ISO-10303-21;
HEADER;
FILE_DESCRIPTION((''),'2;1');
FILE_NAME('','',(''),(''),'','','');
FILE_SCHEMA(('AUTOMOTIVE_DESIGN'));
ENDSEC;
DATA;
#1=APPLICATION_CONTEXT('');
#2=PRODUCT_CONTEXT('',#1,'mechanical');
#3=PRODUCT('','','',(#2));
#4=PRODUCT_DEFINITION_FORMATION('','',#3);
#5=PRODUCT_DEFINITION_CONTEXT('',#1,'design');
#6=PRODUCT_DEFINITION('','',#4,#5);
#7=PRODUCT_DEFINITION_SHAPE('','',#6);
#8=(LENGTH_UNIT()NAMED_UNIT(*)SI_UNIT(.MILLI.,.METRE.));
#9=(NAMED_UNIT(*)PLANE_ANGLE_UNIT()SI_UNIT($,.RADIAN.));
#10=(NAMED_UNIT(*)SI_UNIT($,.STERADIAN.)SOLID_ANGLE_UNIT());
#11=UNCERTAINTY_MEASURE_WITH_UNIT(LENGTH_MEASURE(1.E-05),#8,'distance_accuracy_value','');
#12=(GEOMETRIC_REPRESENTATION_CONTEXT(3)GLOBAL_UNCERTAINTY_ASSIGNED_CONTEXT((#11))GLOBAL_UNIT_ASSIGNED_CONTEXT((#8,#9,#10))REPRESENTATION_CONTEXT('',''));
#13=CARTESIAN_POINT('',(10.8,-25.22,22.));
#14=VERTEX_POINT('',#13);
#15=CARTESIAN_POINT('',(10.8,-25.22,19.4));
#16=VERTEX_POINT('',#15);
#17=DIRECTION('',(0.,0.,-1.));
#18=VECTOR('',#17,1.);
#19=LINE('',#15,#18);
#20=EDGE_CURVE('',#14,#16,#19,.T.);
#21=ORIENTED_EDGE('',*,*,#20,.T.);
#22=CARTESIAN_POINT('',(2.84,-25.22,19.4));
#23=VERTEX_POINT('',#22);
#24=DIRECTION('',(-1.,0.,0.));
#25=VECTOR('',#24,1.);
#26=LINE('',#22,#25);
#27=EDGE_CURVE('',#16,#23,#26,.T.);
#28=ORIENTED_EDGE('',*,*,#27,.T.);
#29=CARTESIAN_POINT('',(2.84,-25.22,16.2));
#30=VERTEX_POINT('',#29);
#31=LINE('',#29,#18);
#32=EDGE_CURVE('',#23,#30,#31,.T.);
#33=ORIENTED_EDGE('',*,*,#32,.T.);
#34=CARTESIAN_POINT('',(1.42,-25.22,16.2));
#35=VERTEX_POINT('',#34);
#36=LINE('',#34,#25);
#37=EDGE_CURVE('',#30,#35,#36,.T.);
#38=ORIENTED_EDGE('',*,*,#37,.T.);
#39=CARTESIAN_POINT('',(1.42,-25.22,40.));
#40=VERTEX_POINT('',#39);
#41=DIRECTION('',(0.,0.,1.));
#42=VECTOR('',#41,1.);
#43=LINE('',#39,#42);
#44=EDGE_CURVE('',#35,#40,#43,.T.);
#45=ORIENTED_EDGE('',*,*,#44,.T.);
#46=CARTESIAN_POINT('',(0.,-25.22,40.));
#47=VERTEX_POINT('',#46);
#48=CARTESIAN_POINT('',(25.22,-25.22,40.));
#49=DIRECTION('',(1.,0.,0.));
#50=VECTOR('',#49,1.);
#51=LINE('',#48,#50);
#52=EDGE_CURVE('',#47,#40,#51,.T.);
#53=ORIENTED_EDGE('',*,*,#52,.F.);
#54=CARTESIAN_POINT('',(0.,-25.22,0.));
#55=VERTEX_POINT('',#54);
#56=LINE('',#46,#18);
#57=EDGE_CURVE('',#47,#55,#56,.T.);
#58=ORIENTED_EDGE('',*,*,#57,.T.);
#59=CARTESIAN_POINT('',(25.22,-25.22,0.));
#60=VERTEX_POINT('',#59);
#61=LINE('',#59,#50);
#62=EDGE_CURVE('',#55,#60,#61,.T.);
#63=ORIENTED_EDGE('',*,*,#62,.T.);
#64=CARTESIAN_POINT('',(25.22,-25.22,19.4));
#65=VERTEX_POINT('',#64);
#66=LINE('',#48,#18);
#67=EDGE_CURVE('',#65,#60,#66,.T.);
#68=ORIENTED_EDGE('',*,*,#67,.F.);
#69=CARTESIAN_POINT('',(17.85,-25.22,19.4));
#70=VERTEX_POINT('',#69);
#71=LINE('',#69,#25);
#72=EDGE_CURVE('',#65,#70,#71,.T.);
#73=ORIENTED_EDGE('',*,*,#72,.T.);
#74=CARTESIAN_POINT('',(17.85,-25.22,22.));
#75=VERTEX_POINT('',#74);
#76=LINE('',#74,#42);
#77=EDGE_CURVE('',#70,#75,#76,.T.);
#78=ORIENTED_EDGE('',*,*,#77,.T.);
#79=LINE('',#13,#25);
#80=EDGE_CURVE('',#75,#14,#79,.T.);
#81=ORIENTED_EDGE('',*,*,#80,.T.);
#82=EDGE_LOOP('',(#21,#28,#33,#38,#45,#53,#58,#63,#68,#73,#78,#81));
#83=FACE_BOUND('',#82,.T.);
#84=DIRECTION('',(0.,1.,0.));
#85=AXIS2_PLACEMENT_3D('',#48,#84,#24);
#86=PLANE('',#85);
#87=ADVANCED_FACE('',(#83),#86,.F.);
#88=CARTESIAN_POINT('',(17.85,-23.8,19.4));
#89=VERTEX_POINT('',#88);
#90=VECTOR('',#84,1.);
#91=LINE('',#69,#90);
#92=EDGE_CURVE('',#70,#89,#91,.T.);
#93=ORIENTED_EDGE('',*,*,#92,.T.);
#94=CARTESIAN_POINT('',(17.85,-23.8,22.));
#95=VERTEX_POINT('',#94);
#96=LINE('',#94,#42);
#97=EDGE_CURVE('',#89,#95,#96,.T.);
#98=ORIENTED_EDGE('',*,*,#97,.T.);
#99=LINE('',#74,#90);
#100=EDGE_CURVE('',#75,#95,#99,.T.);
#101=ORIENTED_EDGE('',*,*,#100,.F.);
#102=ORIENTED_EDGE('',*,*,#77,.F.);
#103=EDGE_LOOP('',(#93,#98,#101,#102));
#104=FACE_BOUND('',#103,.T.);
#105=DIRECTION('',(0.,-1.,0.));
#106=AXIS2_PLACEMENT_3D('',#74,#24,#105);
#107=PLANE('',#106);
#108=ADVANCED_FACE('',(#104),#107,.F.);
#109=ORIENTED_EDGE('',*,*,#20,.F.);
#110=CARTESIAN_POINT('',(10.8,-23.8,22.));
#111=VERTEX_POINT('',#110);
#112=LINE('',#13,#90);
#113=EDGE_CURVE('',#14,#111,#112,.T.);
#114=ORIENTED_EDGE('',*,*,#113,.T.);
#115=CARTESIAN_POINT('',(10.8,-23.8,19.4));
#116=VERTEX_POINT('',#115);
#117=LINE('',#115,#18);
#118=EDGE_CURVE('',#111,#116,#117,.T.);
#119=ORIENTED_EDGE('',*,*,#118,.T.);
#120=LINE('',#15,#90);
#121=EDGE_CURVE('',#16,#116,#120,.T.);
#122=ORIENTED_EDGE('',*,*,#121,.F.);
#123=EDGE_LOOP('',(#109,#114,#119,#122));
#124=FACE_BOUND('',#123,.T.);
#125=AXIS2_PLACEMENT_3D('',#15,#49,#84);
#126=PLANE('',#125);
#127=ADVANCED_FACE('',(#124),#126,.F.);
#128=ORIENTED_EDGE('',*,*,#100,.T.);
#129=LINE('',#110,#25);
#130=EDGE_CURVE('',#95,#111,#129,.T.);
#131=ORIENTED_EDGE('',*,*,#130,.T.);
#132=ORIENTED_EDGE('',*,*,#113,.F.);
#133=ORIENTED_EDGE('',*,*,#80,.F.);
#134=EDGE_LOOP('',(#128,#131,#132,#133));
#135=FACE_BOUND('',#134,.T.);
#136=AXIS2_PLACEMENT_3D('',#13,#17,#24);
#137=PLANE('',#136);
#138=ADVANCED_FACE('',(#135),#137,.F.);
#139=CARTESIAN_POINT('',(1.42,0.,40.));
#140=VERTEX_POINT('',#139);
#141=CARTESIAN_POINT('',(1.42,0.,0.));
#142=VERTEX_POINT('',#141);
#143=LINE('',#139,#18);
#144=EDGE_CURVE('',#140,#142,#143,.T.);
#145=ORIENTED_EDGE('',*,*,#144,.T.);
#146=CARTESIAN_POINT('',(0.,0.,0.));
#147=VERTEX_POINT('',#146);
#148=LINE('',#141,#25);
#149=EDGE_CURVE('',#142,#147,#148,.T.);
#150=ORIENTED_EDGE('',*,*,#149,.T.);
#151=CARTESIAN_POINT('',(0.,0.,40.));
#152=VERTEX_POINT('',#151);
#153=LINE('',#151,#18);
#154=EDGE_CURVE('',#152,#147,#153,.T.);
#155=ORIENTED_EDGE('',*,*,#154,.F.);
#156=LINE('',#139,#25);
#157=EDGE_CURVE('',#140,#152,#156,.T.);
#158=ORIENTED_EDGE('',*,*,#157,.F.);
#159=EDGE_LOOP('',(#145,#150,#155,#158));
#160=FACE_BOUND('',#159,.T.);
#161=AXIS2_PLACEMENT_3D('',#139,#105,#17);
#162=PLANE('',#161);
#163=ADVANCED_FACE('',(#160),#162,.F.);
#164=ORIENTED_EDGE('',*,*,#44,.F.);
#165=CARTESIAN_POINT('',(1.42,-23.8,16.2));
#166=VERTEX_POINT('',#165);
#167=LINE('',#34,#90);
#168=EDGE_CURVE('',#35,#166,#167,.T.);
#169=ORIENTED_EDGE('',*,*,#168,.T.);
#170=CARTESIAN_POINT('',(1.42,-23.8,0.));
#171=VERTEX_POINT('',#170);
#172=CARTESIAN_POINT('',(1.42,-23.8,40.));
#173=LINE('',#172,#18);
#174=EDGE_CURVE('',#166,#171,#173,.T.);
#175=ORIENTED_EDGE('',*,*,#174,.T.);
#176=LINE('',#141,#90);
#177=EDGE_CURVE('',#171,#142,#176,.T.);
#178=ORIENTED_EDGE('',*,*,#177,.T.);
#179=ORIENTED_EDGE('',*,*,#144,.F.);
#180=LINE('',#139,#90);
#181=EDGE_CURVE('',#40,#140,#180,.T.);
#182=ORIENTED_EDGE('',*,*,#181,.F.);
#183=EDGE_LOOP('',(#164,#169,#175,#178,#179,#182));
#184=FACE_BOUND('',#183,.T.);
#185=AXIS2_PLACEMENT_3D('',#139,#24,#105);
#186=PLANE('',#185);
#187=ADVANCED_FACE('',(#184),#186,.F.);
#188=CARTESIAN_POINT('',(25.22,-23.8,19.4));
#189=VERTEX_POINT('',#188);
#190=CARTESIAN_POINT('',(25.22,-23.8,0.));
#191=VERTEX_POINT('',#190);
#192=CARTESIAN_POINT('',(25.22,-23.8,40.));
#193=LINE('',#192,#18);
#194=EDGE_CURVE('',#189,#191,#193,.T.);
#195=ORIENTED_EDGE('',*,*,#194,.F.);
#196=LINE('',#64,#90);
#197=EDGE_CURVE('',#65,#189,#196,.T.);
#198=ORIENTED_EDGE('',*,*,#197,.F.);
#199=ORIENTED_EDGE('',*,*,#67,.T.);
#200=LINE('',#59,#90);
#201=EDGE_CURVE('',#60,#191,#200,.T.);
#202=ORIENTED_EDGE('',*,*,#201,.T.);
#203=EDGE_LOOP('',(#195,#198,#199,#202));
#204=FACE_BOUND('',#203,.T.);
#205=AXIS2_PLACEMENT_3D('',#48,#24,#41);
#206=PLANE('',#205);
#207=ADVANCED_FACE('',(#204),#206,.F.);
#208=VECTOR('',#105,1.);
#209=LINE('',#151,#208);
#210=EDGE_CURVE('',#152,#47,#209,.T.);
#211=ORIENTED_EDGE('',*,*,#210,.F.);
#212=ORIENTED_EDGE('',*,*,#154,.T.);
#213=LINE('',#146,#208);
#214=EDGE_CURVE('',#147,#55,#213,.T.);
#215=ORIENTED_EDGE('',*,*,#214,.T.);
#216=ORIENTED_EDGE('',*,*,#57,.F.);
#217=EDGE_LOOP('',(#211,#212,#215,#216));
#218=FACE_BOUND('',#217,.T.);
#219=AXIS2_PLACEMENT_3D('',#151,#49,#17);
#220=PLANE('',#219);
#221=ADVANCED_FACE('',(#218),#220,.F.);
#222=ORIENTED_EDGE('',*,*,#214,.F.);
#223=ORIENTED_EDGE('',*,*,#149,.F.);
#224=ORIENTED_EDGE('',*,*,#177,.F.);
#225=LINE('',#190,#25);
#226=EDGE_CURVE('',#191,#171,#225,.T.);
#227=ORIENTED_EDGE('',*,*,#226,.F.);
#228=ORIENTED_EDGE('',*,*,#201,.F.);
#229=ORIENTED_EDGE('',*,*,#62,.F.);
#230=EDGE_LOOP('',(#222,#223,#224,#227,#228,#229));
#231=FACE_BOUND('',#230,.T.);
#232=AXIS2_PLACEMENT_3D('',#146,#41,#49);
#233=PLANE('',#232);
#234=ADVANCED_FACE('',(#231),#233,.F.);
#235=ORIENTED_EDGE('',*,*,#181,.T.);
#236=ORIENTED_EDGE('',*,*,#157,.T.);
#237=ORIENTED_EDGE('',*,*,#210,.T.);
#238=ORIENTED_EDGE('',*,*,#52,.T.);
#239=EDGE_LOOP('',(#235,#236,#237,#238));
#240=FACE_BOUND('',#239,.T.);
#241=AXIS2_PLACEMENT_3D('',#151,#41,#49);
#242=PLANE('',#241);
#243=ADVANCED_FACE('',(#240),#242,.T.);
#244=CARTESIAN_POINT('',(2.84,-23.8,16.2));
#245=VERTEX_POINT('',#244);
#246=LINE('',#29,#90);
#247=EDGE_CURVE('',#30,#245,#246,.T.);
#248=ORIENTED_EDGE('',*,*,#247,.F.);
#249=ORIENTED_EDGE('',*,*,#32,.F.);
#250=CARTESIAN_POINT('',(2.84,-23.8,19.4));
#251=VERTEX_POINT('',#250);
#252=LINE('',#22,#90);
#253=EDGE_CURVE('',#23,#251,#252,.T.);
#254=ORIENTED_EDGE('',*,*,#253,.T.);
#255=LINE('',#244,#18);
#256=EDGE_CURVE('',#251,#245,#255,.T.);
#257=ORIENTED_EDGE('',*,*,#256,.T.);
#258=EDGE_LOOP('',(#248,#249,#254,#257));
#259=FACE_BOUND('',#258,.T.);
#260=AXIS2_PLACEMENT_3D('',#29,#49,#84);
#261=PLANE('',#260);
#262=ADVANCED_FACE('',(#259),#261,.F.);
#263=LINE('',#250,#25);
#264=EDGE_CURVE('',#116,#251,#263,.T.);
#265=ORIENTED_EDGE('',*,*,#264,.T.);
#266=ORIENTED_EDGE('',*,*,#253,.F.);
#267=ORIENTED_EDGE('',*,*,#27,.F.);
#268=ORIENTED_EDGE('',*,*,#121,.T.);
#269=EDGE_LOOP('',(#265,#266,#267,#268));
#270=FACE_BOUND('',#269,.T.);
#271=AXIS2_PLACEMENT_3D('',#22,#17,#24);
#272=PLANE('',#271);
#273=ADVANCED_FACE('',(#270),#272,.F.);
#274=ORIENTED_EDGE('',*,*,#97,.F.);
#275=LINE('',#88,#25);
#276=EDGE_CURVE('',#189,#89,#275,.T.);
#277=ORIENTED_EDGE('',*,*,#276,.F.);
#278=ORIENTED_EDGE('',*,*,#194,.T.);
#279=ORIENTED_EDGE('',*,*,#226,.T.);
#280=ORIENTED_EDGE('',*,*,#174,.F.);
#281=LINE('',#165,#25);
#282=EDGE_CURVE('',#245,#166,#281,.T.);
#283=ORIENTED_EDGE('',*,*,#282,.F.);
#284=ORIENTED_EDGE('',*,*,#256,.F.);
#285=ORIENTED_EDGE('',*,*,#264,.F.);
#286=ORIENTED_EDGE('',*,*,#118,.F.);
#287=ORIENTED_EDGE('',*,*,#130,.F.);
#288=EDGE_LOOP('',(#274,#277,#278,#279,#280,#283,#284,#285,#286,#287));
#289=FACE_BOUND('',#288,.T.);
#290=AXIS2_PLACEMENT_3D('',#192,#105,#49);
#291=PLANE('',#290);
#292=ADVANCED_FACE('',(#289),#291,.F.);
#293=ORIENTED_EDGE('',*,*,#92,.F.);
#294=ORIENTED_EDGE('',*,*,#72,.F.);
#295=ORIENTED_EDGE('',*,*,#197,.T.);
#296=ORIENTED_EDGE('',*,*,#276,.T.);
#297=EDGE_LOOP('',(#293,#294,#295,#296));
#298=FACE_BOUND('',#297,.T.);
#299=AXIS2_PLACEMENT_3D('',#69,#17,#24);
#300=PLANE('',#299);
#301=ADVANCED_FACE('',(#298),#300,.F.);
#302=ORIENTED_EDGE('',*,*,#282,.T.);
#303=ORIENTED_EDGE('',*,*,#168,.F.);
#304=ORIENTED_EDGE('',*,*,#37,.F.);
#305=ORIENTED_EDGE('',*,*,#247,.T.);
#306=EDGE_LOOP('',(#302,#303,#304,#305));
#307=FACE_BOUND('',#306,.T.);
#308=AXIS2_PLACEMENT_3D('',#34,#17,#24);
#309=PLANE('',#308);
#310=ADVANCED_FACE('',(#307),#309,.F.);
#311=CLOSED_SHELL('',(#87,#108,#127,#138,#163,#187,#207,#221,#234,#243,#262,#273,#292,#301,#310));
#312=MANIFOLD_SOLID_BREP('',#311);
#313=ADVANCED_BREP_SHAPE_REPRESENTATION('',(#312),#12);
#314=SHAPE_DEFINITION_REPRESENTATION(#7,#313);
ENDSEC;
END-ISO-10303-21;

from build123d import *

# Parameters (mm, degrees)
EXTRUDE1_DEPTH     = 40
CUT_EXTRUDE3_DEPTH = 2.42


with BuildPart() as part:
    # Sketch1 → Extrude1 (new body)
    with BuildSketch(Plane.XY):
        Polygon((0, 0), (0, -25.22), (25.22, -25.22), (25.22, -23.8), (1.42, -23.8), (1.42, 0), align=None)
    extrude(amount=EXTRUDE1_DEPTH)

    # Sketch3 → Cut-Extrude3 (cut, through all)
    with BuildSketch(Plane(origin=(0, -23.8, 0), x_dir=(-1, 0, 0), z_dir=(0, 1, 0))):
        Polygon((-1.42, 40), (-1.42, 16.2), (-2.84, 16.2), (-2.84, 19.4), (-10.8, 19.4), (-10.8, 22), (-17.85, 22), (-17.85, 19.4), (-25.22, 19.4), (-25.22, 40), align=None)
    extrude(amount=-CUT_EXTRUDE3_DEPTH, mode=Mode.SUBTRACT)


solid = part.part
